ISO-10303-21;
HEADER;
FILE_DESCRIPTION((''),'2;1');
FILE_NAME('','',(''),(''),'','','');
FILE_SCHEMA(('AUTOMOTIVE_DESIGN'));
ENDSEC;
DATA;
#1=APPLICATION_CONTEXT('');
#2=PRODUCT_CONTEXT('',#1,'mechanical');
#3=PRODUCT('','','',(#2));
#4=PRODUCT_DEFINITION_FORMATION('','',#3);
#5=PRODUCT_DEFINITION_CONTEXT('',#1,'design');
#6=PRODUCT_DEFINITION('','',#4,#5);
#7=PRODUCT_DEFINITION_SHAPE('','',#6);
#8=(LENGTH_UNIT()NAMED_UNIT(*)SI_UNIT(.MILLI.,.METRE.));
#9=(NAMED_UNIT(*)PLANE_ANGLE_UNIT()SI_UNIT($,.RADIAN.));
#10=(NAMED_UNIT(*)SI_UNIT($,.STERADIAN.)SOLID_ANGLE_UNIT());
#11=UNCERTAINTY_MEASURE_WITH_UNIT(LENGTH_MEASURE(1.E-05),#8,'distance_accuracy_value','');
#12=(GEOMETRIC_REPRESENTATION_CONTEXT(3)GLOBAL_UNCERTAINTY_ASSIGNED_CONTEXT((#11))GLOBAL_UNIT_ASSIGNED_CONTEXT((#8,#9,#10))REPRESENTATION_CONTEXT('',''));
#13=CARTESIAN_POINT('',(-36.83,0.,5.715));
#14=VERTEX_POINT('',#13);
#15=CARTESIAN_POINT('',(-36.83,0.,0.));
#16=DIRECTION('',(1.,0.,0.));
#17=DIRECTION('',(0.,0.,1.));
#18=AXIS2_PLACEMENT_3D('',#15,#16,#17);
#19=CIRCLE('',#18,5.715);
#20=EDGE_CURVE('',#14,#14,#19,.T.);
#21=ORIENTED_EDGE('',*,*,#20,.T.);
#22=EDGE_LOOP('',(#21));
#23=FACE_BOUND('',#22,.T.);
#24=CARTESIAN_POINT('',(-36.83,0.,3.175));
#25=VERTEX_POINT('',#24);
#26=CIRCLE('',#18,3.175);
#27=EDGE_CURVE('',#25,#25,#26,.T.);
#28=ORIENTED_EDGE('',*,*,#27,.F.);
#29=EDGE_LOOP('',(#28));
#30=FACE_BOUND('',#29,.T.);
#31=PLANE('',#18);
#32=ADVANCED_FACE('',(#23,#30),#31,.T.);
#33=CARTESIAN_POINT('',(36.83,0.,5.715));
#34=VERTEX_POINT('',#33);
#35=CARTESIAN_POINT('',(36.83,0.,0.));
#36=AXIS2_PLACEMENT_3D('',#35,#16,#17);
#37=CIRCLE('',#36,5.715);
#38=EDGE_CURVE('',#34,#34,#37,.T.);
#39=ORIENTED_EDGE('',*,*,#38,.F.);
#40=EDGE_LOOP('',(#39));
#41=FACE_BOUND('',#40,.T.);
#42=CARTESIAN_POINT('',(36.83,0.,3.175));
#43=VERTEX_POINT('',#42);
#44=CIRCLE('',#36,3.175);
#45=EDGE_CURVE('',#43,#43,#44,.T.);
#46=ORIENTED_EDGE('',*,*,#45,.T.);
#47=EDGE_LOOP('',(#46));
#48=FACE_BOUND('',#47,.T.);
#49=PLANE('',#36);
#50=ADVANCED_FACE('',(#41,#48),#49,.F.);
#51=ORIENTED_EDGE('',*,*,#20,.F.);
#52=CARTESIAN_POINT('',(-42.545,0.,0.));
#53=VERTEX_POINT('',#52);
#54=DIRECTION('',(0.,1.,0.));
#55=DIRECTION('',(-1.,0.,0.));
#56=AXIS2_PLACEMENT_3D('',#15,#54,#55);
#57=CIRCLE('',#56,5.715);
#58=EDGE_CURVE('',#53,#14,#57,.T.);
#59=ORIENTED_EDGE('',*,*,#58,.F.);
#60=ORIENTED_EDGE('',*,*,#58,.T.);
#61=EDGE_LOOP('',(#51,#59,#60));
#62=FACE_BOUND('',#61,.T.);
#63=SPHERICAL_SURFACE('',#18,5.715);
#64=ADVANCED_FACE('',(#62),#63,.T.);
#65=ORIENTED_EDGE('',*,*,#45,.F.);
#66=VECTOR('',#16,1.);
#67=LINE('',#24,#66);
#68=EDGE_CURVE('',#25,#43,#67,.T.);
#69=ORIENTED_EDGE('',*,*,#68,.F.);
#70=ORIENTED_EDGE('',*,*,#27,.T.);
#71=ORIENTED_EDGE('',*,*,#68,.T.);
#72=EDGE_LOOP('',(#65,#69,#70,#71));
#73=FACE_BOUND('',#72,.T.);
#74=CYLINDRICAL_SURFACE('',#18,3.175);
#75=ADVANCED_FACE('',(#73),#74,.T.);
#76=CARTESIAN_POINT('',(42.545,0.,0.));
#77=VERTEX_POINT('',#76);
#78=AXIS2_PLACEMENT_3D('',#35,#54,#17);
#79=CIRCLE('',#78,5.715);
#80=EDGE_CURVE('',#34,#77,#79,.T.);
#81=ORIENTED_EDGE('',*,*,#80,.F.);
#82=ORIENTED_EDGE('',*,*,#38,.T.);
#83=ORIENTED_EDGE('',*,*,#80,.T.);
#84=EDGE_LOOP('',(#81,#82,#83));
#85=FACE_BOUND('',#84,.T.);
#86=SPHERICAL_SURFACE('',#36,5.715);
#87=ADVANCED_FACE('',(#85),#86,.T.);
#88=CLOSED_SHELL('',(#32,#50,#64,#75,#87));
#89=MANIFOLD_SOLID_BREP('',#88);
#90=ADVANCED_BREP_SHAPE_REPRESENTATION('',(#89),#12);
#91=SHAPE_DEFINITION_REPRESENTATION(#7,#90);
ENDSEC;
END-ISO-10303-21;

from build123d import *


with BuildPart() as part:
    # Sketch1 → Revolve9 (revolve)
    with BuildSketch(Plane(origin=(0, 0, 0), x_dir=(1, 0, 0), z_dir=(0, 1, 0))):
        with BuildLine():
            Line((-36.83, -5.715), (-36.83, -3.175))
            Line((-36.83, -3.175), (36.83, -3.175))
            Line((36.83, -3.175), (36.83, -5.715))
            ThreePointArc((36.83, -5.715), (40.871115254, -4.041115254), (42.545, 0))
            Line((42.545, 0), (-36.83, 0))
            Line((-36.83, 0), (-42.545, 0))
            ThreePointArc((-42.545, 0), (-40.871115254, -4.041115254), (-36.83, -5.715))
        make_face()
    revolve(axis=Axis((-36.83, 0, 0), (1, 0, 0)))


solid = part.part
